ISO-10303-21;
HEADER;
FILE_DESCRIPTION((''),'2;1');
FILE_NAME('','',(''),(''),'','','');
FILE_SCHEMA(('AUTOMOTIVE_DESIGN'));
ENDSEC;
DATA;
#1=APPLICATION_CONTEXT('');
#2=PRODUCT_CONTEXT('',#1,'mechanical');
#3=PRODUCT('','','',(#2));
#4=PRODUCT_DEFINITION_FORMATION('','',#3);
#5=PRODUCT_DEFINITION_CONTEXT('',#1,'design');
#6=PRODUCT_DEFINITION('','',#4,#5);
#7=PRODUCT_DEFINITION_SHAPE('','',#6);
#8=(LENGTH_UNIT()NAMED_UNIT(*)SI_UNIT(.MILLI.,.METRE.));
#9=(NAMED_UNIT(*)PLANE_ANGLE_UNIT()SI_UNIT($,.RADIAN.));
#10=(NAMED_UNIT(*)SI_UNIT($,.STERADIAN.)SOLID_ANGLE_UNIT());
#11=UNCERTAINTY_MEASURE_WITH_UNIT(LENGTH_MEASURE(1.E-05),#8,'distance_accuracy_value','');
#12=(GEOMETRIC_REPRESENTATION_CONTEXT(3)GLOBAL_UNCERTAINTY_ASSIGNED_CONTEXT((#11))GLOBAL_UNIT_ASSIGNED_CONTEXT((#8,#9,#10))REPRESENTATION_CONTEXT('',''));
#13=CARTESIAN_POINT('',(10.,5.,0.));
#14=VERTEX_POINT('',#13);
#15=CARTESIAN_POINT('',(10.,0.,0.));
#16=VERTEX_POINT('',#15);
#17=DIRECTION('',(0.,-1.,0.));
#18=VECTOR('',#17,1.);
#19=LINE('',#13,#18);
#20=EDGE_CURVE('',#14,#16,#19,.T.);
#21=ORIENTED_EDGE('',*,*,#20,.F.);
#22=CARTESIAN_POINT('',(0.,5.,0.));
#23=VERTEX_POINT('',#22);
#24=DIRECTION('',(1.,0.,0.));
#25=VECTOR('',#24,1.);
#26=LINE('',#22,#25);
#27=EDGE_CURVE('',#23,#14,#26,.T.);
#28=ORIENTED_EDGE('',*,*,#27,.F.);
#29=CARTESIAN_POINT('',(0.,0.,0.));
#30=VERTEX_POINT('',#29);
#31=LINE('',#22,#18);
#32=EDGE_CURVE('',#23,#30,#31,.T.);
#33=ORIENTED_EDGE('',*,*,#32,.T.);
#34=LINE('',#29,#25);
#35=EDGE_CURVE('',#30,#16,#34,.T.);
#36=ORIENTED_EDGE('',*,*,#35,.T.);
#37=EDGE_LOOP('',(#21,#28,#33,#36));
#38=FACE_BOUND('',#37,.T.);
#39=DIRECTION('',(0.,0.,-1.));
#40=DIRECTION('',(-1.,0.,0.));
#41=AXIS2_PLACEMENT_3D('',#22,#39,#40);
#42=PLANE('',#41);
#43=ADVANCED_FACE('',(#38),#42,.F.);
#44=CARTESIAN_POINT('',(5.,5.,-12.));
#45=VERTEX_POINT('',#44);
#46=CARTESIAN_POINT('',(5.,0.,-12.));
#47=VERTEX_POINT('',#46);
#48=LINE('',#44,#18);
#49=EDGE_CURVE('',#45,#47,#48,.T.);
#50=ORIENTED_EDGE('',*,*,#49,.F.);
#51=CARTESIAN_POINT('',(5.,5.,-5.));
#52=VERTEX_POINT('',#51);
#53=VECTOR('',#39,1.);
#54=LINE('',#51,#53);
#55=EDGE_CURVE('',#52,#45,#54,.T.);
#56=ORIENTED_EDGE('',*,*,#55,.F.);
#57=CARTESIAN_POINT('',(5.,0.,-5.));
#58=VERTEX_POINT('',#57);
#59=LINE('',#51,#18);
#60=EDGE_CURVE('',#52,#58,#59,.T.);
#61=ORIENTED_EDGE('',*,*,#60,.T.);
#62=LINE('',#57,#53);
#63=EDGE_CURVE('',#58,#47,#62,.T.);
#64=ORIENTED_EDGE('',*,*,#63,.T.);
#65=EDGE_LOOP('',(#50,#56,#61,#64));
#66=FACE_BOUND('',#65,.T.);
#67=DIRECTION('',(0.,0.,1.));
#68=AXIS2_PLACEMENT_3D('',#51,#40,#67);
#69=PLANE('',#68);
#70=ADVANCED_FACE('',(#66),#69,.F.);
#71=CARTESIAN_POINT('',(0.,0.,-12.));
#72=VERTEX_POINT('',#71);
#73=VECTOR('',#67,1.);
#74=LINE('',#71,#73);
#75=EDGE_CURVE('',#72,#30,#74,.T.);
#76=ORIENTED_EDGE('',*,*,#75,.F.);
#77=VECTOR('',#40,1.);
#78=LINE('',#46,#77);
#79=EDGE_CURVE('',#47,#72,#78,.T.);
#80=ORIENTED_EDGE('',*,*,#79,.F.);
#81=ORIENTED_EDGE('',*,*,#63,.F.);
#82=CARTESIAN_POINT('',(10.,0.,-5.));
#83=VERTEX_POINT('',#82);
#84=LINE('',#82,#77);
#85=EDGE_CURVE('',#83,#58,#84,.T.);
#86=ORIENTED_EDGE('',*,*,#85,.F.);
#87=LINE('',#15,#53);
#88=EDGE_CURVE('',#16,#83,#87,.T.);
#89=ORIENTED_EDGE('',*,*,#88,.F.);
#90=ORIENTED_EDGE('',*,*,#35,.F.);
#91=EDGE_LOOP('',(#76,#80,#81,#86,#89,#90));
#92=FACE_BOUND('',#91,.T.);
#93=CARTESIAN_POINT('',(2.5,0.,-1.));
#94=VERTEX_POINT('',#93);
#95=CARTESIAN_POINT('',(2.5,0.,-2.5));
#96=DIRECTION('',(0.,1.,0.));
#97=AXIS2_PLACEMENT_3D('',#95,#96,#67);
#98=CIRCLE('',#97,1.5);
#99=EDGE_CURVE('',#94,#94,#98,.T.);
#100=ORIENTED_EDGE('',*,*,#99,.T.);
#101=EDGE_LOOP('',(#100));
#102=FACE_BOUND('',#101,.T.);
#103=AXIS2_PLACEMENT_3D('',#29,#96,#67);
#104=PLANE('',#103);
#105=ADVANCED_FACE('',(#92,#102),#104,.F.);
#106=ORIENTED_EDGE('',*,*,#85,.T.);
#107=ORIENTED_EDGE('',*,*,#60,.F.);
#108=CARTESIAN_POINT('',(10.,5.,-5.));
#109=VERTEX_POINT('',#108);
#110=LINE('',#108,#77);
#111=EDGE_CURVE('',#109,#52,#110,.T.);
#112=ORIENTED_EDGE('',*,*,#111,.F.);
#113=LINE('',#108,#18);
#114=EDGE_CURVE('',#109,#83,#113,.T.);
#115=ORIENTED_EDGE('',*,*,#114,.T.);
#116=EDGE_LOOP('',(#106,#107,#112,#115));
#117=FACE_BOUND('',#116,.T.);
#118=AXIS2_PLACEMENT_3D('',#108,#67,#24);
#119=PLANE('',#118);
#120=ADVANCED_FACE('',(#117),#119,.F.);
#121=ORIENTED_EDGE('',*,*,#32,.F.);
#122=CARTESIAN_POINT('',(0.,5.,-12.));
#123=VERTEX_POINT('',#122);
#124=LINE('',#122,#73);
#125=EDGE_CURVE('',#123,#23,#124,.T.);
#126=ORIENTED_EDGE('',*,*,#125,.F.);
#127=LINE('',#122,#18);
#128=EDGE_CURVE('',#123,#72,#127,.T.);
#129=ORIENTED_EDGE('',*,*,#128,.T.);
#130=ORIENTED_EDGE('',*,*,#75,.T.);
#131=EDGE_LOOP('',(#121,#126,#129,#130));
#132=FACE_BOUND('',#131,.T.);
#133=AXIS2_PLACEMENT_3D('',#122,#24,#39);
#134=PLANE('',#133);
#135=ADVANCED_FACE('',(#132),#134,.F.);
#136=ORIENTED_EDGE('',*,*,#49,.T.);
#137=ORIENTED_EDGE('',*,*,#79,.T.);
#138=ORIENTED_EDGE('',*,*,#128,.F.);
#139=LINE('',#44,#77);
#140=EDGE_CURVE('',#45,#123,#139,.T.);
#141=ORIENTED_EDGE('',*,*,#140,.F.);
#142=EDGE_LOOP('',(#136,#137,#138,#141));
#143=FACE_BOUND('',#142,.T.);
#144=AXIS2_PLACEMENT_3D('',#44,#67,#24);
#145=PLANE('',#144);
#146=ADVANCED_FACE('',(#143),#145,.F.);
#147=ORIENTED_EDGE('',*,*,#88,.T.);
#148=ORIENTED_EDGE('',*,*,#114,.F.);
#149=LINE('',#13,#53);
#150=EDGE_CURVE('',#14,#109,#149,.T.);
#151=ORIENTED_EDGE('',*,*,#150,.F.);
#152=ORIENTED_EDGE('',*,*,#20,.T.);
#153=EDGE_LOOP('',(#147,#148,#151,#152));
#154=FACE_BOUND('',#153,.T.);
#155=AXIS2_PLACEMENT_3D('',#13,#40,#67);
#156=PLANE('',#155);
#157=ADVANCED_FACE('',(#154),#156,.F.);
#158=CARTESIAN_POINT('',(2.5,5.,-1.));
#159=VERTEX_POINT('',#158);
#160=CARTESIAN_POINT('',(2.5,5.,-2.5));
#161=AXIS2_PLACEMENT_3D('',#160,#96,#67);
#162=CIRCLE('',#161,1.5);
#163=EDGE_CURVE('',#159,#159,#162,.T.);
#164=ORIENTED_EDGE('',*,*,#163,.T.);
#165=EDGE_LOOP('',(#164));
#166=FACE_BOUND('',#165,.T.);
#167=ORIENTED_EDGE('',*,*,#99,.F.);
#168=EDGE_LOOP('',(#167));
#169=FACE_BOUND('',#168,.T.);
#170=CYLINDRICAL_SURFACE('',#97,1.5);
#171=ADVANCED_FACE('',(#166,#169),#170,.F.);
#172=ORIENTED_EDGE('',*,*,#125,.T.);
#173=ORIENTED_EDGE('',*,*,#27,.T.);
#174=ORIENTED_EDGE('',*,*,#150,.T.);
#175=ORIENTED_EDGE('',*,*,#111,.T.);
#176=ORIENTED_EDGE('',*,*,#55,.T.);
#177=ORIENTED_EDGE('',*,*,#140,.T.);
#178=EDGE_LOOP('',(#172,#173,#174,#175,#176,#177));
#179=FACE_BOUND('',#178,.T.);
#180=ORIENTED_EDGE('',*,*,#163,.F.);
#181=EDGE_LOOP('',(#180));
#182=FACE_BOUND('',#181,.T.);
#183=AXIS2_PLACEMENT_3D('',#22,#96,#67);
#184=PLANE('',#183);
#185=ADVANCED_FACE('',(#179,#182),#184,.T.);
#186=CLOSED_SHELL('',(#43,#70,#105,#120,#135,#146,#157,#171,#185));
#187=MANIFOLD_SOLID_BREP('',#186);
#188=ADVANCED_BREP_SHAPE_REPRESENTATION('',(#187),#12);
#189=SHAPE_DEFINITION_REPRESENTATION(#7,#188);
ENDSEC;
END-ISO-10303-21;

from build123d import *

# Parameters (mm, degrees)
BOSS_EXTRUDE1_DEPTH = 5
SKETCH4_R           = 1.5
CUT_EXTRUDE1_DEPTH  = 17.401219467


with BuildPart() as part:
    # Sketch3 → Boss-Extrude1 (new body)
    with BuildSketch(Plane(origin=(0, 0, 0), x_dir=(1, 0, 0), z_dir=(0, 1, 0))):
        Polygon((0, 0), (10, 0), (10, 5), (5, 5), (5, 12), (0, 12), align=None)
    extrude(amount=BOSS_EXTRUDE1_DEPTH)

    # Sketch4 → Cut-Extrude1 (cut, through all)
    with BuildSketch(Plane(origin=(0, 5, 0), x_dir=(1, 0, 0), z_dir=(0, 1, 0))):
        with Locations(Location((2.5, 2.5, 0), (0, 0, 270))):
            Circle(SKETCH4_R)
    extrude(amount=-CUT_EXTRUDE1_DEPTH, mode=Mode.SUBTRACT)


solid = part.part
